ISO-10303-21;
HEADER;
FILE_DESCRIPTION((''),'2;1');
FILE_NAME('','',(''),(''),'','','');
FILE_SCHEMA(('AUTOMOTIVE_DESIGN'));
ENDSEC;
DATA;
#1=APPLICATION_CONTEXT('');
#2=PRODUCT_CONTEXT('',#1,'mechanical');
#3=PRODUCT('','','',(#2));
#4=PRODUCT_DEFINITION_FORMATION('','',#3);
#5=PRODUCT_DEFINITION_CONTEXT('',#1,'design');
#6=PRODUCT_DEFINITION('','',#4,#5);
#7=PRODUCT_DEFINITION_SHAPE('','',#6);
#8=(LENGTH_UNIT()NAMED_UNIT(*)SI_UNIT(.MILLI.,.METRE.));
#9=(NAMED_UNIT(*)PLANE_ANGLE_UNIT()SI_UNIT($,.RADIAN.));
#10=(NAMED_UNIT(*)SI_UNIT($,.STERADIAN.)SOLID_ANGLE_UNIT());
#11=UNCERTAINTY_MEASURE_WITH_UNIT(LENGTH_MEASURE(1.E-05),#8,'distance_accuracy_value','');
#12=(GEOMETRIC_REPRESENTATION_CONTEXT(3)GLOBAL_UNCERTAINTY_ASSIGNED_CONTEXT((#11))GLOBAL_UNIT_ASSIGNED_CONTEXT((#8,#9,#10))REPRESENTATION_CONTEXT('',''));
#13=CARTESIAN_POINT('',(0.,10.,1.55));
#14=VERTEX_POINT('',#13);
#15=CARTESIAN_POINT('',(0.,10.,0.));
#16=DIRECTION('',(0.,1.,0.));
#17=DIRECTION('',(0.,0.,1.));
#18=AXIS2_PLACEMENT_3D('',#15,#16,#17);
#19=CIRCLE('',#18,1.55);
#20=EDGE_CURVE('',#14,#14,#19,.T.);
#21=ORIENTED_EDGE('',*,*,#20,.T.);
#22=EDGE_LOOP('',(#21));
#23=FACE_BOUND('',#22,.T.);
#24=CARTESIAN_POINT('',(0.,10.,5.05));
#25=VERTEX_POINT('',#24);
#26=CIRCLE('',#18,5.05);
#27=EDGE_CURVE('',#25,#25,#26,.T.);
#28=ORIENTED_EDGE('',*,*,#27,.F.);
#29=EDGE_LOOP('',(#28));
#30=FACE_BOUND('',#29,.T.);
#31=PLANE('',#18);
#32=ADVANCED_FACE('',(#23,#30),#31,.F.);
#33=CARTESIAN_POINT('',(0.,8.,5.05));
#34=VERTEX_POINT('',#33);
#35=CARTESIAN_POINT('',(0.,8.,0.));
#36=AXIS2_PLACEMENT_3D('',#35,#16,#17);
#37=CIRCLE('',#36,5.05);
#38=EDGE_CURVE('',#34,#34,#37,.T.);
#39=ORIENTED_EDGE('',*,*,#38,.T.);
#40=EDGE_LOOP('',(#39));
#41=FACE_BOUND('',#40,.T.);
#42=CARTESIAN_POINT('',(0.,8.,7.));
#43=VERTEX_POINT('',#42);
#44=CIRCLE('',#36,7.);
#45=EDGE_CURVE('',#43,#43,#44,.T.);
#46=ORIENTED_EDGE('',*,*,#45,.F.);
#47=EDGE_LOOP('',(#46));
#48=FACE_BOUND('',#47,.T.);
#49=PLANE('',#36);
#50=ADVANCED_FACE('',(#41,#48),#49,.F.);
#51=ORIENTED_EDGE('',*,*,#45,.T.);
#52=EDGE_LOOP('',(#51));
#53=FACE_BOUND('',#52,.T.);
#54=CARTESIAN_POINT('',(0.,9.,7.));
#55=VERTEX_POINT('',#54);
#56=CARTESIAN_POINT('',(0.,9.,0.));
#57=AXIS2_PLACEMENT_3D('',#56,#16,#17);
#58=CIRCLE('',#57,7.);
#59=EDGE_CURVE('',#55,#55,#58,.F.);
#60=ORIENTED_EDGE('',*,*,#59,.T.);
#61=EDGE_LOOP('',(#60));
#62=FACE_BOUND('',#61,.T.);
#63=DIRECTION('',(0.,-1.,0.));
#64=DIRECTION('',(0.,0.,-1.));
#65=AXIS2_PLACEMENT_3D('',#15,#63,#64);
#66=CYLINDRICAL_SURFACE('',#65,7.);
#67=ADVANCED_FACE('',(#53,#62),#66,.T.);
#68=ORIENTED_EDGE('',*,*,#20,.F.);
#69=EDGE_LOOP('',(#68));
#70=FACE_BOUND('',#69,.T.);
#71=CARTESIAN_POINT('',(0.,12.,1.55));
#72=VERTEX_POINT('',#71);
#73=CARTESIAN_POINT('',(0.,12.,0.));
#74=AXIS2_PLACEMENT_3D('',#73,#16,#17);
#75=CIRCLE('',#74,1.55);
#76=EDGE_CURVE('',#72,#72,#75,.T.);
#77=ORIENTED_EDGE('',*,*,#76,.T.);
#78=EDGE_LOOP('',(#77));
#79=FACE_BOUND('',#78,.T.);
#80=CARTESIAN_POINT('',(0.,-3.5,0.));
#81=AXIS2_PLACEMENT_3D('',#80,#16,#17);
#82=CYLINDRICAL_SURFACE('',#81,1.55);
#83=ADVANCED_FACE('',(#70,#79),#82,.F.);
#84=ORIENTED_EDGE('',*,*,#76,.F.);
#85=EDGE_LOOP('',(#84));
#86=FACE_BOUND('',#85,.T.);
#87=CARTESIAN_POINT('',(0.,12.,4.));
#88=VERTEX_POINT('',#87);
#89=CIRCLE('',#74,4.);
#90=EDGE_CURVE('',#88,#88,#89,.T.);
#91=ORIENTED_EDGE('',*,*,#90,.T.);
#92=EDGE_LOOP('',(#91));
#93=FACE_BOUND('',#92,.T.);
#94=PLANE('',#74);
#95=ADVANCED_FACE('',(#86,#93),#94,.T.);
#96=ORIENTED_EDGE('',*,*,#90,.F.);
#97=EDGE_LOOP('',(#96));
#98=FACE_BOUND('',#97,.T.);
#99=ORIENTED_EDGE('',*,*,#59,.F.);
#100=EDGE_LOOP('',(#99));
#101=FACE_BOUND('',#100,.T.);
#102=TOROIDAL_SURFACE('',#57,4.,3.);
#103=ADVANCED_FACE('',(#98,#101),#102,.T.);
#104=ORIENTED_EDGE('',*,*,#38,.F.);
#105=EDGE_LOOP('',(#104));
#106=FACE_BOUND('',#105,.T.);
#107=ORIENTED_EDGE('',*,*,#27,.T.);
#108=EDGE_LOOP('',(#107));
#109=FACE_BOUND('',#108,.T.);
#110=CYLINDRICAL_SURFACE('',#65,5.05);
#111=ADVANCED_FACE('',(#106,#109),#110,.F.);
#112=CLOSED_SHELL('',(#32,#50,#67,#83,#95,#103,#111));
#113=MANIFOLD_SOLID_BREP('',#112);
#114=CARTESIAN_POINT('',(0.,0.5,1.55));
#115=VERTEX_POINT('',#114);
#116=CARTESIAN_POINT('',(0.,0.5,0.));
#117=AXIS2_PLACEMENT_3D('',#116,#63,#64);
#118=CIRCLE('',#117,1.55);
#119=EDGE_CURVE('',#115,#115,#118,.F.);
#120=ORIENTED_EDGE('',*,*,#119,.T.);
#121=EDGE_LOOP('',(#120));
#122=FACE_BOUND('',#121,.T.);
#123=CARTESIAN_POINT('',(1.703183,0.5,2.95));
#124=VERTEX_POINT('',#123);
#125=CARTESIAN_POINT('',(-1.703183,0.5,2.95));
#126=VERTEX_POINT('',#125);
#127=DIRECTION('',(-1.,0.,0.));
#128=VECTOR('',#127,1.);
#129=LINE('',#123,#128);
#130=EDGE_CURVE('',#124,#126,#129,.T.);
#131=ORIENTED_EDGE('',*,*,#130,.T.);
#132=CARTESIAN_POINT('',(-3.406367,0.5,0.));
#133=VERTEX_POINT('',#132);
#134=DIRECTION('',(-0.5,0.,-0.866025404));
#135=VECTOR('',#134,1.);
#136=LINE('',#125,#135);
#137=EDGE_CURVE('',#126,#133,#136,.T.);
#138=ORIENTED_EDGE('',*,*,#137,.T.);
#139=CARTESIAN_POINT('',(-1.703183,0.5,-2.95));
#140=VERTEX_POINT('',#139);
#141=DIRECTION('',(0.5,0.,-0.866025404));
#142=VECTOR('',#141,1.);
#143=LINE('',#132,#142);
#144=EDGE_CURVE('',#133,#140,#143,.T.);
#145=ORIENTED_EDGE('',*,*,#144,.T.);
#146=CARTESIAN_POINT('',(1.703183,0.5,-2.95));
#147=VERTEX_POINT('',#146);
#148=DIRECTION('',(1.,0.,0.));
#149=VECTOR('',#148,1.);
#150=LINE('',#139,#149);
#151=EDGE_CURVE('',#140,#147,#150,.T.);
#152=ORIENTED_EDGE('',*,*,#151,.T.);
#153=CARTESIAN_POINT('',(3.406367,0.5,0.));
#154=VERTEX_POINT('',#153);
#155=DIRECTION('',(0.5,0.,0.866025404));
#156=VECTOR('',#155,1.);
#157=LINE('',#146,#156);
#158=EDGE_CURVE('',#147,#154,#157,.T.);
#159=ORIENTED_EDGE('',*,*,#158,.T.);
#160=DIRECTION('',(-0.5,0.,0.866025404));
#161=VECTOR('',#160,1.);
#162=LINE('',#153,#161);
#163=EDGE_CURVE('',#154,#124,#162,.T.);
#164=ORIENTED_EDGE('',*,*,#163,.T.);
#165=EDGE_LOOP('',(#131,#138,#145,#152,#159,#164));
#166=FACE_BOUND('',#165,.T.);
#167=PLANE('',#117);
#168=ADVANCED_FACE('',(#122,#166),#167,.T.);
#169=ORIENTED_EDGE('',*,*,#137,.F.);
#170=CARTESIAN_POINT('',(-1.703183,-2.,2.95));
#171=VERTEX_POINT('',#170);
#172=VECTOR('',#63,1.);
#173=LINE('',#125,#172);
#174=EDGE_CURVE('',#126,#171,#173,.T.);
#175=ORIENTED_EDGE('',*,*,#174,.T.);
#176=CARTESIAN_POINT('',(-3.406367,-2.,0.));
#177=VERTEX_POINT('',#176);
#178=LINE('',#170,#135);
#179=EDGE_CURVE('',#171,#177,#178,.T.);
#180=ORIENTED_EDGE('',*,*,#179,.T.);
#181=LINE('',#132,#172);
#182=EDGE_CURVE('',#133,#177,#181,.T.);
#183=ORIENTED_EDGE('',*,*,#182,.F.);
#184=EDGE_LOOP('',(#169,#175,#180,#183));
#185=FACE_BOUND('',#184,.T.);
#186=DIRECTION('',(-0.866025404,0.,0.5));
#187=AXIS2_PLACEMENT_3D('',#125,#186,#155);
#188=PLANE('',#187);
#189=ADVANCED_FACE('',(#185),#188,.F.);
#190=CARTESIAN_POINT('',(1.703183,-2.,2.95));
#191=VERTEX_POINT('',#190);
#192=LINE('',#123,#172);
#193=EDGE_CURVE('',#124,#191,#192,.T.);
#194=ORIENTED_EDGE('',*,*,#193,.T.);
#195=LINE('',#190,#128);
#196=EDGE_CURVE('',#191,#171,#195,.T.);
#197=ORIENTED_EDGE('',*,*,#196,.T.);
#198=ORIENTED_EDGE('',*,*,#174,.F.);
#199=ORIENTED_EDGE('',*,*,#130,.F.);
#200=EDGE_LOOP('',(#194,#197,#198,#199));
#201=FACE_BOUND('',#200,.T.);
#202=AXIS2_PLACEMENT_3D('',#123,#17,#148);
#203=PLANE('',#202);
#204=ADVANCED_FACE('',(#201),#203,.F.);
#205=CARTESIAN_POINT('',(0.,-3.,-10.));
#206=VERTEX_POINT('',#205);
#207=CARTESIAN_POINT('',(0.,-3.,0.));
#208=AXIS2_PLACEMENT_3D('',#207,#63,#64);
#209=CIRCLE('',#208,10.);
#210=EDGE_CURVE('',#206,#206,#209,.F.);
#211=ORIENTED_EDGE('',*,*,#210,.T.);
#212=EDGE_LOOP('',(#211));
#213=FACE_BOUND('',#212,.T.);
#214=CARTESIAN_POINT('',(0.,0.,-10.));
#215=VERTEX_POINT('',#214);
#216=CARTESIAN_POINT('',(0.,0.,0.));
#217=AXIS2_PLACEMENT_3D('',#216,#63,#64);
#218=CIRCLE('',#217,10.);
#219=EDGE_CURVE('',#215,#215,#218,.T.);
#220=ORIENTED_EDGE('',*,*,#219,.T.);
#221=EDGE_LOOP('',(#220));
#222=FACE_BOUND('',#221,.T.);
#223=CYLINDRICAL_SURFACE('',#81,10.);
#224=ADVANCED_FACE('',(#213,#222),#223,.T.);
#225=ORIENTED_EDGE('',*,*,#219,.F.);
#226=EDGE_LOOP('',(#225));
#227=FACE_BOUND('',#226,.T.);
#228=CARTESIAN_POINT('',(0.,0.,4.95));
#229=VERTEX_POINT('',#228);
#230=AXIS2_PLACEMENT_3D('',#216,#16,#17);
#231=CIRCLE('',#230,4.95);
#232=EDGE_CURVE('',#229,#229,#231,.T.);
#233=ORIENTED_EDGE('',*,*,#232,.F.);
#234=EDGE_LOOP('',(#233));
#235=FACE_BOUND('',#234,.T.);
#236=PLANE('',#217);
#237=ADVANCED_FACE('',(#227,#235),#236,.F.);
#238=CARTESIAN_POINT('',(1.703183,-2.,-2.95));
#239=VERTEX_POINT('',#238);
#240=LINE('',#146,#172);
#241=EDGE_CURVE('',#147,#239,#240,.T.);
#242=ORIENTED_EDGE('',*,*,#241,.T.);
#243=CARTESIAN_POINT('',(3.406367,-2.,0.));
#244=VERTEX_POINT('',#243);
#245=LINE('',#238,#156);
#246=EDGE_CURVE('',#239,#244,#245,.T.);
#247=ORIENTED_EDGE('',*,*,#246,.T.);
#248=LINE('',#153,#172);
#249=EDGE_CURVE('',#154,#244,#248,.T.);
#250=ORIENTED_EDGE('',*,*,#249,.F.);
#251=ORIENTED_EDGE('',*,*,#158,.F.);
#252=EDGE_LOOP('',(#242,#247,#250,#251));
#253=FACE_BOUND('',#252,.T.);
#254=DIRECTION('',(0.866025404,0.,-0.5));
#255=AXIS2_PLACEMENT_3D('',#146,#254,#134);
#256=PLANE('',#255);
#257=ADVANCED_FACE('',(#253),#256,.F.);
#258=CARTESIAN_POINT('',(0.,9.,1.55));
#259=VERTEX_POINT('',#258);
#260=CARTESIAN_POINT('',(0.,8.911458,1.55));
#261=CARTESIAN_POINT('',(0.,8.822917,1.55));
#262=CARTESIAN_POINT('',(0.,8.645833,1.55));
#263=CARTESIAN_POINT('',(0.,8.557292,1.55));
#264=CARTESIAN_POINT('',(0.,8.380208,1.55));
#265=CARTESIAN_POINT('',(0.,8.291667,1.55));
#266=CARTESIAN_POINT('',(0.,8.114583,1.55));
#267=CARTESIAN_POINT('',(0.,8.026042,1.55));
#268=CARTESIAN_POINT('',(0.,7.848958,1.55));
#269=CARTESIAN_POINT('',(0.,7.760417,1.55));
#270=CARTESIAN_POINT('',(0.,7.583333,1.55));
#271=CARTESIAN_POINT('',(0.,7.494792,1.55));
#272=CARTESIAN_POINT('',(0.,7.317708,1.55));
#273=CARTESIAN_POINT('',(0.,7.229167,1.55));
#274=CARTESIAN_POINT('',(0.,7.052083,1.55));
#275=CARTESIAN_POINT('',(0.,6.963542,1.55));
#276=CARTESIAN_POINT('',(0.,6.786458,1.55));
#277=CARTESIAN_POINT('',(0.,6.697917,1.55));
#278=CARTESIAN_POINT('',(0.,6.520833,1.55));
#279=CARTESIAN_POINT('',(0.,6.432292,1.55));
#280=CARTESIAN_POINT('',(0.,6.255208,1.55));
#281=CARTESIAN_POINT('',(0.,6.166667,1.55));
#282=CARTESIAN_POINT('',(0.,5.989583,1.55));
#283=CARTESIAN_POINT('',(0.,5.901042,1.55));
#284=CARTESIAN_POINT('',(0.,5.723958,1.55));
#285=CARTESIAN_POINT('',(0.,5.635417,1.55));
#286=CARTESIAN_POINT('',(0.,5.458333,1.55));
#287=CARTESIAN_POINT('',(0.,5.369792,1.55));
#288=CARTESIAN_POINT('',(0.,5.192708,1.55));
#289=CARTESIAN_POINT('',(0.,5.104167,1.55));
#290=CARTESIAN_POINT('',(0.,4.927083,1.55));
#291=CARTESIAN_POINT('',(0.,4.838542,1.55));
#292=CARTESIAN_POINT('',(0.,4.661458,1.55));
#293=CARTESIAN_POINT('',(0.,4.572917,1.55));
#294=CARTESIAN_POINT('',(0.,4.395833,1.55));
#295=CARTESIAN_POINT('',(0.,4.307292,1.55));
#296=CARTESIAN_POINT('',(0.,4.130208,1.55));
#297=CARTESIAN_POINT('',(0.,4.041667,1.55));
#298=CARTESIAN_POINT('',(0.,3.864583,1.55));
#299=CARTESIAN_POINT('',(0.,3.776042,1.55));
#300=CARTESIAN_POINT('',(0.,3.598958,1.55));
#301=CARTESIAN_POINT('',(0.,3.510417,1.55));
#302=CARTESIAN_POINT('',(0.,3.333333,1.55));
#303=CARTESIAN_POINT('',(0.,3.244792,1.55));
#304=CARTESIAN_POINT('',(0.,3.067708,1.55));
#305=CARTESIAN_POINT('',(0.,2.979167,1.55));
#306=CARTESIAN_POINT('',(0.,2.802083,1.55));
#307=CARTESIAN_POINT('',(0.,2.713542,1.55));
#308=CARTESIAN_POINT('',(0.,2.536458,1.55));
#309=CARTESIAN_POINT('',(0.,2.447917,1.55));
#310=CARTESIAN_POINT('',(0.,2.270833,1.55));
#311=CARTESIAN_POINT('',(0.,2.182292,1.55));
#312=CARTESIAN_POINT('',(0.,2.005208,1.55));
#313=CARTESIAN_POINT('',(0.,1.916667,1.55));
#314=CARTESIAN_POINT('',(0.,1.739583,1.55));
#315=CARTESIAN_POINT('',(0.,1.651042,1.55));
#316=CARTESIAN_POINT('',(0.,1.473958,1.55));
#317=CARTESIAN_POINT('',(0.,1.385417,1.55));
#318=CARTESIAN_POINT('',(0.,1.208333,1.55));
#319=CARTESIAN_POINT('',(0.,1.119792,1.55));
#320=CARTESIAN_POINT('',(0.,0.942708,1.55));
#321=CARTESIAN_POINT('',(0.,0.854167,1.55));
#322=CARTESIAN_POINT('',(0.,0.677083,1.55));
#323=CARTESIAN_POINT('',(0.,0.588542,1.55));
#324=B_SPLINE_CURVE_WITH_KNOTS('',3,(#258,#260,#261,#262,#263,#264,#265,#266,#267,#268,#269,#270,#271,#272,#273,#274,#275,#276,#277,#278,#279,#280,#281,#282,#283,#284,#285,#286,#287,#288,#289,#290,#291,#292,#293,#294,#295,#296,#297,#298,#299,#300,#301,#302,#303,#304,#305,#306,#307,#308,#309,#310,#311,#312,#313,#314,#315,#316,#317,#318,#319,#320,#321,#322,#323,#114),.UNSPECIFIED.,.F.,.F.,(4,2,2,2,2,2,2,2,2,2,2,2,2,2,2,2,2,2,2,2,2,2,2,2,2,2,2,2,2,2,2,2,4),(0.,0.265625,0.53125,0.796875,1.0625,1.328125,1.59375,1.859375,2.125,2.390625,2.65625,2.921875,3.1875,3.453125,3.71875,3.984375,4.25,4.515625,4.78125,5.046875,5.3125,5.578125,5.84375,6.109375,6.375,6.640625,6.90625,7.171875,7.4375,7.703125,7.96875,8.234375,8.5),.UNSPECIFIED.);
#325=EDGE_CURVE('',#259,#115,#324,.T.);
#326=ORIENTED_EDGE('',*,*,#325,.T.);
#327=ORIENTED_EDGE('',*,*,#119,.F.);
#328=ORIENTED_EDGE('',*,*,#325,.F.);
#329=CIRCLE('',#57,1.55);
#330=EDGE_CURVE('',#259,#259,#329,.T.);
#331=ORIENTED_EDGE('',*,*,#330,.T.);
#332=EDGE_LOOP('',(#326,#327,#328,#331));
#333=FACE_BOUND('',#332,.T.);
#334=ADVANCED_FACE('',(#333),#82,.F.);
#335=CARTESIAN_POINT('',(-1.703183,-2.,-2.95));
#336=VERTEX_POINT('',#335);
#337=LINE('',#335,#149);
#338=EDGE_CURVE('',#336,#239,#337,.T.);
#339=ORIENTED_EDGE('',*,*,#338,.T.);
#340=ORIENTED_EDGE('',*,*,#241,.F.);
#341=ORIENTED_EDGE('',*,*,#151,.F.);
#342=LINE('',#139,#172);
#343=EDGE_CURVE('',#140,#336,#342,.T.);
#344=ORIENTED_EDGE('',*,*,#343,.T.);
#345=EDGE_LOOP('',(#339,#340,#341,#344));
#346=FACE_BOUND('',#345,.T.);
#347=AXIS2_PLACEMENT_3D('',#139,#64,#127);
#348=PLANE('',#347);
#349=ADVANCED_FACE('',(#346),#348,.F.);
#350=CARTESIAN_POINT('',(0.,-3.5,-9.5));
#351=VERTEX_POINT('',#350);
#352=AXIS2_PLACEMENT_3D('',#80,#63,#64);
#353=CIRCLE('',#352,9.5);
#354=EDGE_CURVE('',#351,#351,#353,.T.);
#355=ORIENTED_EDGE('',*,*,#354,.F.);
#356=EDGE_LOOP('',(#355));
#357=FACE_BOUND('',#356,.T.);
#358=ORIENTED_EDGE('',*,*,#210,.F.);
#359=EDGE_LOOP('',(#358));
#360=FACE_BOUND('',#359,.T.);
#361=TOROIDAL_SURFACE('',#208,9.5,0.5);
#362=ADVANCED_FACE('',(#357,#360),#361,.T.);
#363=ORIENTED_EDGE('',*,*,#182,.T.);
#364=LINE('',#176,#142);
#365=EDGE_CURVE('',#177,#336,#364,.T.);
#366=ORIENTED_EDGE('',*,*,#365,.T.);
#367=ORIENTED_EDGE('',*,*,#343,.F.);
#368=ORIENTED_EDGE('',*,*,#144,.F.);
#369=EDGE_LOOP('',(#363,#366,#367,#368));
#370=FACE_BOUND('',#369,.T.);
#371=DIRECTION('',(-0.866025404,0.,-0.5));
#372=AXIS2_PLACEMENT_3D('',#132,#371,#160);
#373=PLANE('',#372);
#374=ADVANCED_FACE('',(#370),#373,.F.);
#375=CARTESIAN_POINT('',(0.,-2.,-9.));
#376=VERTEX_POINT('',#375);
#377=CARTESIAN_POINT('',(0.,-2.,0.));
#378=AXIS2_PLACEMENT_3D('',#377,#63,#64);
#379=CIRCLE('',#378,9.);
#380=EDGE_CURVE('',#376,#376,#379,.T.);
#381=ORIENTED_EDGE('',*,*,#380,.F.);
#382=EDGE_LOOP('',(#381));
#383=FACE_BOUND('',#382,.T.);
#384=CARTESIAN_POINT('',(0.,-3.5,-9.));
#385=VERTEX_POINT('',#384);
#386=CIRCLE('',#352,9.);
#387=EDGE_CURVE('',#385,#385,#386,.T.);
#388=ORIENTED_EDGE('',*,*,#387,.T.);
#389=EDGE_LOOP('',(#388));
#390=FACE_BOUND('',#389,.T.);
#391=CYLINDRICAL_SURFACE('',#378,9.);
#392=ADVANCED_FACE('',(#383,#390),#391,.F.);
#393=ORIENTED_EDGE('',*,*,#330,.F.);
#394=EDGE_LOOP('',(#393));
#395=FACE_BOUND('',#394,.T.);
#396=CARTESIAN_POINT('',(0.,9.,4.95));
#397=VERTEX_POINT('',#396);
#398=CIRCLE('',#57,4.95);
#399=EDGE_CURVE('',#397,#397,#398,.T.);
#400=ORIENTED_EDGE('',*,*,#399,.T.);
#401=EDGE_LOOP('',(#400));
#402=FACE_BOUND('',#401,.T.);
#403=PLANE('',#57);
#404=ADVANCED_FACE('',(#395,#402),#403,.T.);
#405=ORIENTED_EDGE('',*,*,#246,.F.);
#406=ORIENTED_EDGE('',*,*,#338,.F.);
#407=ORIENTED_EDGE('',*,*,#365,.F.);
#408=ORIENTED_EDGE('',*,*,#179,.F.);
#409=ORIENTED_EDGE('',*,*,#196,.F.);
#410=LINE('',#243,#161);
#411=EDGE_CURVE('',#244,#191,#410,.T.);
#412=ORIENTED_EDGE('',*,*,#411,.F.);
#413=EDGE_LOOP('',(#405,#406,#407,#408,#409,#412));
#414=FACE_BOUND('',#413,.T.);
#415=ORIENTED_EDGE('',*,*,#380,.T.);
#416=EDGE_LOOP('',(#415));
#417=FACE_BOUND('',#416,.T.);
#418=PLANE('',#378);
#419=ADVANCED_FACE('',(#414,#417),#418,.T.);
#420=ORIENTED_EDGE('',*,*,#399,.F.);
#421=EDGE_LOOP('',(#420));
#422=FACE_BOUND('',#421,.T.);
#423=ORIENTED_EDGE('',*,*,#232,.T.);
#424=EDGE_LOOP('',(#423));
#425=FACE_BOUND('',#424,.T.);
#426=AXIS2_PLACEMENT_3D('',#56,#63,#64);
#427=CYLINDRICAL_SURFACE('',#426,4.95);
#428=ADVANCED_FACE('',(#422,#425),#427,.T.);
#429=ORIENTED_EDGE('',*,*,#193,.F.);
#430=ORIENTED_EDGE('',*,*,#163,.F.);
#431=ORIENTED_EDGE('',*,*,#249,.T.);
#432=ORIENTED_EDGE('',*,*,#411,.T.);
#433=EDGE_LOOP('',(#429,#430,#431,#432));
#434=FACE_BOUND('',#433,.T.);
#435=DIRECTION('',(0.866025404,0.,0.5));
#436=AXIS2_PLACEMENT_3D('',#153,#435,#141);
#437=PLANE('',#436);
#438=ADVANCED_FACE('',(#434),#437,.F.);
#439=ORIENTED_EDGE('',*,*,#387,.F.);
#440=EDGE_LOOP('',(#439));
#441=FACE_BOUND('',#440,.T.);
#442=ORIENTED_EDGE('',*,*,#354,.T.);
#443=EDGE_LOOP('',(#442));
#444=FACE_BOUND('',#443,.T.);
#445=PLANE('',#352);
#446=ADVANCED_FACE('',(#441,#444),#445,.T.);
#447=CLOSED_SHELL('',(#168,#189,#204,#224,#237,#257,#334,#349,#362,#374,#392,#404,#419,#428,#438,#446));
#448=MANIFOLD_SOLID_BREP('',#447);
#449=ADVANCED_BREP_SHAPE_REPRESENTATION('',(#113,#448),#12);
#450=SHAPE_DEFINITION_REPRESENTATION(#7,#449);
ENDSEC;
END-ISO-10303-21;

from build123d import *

# Parameters (mm, degrees)
SKETCH1_R           = 4.95
BOSS_EXTRUDE1_DEPTH = 9
SKETCH2_R           = 10
BOSS_EXTRUDE2_DEPTH = 3.5
SKETCH3_R           = 9
CUT_EXTRUDE1_DEPTH  = 1.5
SKETCH4_R           = 1.55
CUT_EXTRUDE2_DEPTH  = 19.874586088
CUT_EXTRUDE3_DEPTH  = 2.5
FILLET1_R           = 0.5
SKETCH6_R           = 7
SKETCH6_R_2         = 5.05
BOSS_EXTRUDE3_DEPTH = 2
SKETCH7_R           = 7
BOSS_EXTRUDE4_DEPTH = 2
SKETCH8_R           = 1.55
CUT_EXTRUDE4_DEPTH  = 21.98213538
FILLET2_R           = 3


with BuildPart() as part:
    # Sketch1 → Boss-Extrude1 (new body)
    with BuildSketch(Plane(origin=(0, 0, 0), x_dir=(1, 0, 0), z_dir=(0, 1, 0))):
        with Locations(Location((0, 0, 0), (0, 0, 270))):
            Circle(SKETCH1_R)
    extrude(amount=BOSS_EXTRUDE1_DEPTH)

    # Sketch2 → Boss-Extrude2 (add)
    with BuildSketch(Plane.XZ):
        with Locations(Location((0, 0, 0), (0, 0, 270))):
            Circle(SKETCH2_R)
    extrude(amount=BOSS_EXTRUDE2_DEPTH)

    # Sketch3 → Cut-Extrude1 (cut)
    with BuildSketch(Plane.XZ.offset(3.5)):
        with Locations(Location((0, 0, 0), (0, 0, 270))):
            Circle(SKETCH3_R)
    extrude(amount=-CUT_EXTRUDE1_DEPTH, mode=Mode.SUBTRACT)

    # Sketch4 → Cut-Extrude2 (cut, through all)
    with BuildSketch(Plane(origin=(0, 9, 0), x_dir=(1, 0, 0), z_dir=(0, 1, 0))):
        with Locations(Location((0, 0, 0), (0, 0, 270))):
            Circle(SKETCH4_R)
    extrude(amount=-CUT_EXTRUDE2_DEPTH, mode=Mode.SUBTRACT)

    # Sketch5 → Cut-Extrude3 (cut)
    with BuildSketch(Plane.XZ.offset(2)):
        Polygon((1.703183294, 2.95), (-1.703183294, 2.95), (-3.406366588, 0), (-1.703183294, -2.95), (1.703183294, -2.95), (3.406366588, 0), align=None)
    extrude(amount=-CUT_EXTRUDE3_DEPTH, mode=Mode.SUBTRACT)

    # Fillet1
    fillet1_edges = [part.edges().sort_by_distance(p)[0] for p in [
        (0, -3.5, 10),
    ]]
    fillet(fillet1_edges, radius=FILLET1_R)


with BuildPart() as body_2:
    # Sketch6 → Boss-Extrude3 (new body)
    with BuildSketch(Plane(origin=(0, 8, 0), x_dir=(1, 0, 0), z_dir=(0, 1, 0))):
        with Locations(Location((0, 0, 0), (0, 0, 270))):
            Circle(SKETCH6_R)
        with Locations(Location((0, 0, 0), (0, 0, 270))):
            Circle(SKETCH6_R_2, mode=Mode.SUBTRACT)
    extrude(amount=BOSS_EXTRUDE3_DEPTH)

    # Sketch7 → Boss-Extrude4 (add)
    with BuildSketch(Plane(origin=(0, 10, 0), x_dir=(1, 0, 0), z_dir=(0, 1, 0))):
        with Locations(Location((0, 0, 0), (0, 0, 270))):
            Circle(SKETCH7_R)
    extrude(amount=BOSS_EXTRUDE4_DEPTH)

    # Sketch8 → Cut-Extrude4 (cut, through all)
    with BuildSketch(Plane(origin=(0, 12, 0), x_dir=(1, 0, 0), z_dir=(0, 1, 0))):
        with Locations(Location((0, 0, 0), (0, 0, 270))):
            Circle(SKETCH8_R)
    extrude(amount=-CUT_EXTRUDE4_DEPTH, mode=Mode.SUBTRACT)

    # Fillet2
    fillet2_edges = [body_2.edges().sort_by_distance(p)[0] for p in [
        (0, 12, -7),
    ]]
    fillet(fillet2_edges, radius=FILLET2_R)


solid = Compound([part.part, body_2.part])
